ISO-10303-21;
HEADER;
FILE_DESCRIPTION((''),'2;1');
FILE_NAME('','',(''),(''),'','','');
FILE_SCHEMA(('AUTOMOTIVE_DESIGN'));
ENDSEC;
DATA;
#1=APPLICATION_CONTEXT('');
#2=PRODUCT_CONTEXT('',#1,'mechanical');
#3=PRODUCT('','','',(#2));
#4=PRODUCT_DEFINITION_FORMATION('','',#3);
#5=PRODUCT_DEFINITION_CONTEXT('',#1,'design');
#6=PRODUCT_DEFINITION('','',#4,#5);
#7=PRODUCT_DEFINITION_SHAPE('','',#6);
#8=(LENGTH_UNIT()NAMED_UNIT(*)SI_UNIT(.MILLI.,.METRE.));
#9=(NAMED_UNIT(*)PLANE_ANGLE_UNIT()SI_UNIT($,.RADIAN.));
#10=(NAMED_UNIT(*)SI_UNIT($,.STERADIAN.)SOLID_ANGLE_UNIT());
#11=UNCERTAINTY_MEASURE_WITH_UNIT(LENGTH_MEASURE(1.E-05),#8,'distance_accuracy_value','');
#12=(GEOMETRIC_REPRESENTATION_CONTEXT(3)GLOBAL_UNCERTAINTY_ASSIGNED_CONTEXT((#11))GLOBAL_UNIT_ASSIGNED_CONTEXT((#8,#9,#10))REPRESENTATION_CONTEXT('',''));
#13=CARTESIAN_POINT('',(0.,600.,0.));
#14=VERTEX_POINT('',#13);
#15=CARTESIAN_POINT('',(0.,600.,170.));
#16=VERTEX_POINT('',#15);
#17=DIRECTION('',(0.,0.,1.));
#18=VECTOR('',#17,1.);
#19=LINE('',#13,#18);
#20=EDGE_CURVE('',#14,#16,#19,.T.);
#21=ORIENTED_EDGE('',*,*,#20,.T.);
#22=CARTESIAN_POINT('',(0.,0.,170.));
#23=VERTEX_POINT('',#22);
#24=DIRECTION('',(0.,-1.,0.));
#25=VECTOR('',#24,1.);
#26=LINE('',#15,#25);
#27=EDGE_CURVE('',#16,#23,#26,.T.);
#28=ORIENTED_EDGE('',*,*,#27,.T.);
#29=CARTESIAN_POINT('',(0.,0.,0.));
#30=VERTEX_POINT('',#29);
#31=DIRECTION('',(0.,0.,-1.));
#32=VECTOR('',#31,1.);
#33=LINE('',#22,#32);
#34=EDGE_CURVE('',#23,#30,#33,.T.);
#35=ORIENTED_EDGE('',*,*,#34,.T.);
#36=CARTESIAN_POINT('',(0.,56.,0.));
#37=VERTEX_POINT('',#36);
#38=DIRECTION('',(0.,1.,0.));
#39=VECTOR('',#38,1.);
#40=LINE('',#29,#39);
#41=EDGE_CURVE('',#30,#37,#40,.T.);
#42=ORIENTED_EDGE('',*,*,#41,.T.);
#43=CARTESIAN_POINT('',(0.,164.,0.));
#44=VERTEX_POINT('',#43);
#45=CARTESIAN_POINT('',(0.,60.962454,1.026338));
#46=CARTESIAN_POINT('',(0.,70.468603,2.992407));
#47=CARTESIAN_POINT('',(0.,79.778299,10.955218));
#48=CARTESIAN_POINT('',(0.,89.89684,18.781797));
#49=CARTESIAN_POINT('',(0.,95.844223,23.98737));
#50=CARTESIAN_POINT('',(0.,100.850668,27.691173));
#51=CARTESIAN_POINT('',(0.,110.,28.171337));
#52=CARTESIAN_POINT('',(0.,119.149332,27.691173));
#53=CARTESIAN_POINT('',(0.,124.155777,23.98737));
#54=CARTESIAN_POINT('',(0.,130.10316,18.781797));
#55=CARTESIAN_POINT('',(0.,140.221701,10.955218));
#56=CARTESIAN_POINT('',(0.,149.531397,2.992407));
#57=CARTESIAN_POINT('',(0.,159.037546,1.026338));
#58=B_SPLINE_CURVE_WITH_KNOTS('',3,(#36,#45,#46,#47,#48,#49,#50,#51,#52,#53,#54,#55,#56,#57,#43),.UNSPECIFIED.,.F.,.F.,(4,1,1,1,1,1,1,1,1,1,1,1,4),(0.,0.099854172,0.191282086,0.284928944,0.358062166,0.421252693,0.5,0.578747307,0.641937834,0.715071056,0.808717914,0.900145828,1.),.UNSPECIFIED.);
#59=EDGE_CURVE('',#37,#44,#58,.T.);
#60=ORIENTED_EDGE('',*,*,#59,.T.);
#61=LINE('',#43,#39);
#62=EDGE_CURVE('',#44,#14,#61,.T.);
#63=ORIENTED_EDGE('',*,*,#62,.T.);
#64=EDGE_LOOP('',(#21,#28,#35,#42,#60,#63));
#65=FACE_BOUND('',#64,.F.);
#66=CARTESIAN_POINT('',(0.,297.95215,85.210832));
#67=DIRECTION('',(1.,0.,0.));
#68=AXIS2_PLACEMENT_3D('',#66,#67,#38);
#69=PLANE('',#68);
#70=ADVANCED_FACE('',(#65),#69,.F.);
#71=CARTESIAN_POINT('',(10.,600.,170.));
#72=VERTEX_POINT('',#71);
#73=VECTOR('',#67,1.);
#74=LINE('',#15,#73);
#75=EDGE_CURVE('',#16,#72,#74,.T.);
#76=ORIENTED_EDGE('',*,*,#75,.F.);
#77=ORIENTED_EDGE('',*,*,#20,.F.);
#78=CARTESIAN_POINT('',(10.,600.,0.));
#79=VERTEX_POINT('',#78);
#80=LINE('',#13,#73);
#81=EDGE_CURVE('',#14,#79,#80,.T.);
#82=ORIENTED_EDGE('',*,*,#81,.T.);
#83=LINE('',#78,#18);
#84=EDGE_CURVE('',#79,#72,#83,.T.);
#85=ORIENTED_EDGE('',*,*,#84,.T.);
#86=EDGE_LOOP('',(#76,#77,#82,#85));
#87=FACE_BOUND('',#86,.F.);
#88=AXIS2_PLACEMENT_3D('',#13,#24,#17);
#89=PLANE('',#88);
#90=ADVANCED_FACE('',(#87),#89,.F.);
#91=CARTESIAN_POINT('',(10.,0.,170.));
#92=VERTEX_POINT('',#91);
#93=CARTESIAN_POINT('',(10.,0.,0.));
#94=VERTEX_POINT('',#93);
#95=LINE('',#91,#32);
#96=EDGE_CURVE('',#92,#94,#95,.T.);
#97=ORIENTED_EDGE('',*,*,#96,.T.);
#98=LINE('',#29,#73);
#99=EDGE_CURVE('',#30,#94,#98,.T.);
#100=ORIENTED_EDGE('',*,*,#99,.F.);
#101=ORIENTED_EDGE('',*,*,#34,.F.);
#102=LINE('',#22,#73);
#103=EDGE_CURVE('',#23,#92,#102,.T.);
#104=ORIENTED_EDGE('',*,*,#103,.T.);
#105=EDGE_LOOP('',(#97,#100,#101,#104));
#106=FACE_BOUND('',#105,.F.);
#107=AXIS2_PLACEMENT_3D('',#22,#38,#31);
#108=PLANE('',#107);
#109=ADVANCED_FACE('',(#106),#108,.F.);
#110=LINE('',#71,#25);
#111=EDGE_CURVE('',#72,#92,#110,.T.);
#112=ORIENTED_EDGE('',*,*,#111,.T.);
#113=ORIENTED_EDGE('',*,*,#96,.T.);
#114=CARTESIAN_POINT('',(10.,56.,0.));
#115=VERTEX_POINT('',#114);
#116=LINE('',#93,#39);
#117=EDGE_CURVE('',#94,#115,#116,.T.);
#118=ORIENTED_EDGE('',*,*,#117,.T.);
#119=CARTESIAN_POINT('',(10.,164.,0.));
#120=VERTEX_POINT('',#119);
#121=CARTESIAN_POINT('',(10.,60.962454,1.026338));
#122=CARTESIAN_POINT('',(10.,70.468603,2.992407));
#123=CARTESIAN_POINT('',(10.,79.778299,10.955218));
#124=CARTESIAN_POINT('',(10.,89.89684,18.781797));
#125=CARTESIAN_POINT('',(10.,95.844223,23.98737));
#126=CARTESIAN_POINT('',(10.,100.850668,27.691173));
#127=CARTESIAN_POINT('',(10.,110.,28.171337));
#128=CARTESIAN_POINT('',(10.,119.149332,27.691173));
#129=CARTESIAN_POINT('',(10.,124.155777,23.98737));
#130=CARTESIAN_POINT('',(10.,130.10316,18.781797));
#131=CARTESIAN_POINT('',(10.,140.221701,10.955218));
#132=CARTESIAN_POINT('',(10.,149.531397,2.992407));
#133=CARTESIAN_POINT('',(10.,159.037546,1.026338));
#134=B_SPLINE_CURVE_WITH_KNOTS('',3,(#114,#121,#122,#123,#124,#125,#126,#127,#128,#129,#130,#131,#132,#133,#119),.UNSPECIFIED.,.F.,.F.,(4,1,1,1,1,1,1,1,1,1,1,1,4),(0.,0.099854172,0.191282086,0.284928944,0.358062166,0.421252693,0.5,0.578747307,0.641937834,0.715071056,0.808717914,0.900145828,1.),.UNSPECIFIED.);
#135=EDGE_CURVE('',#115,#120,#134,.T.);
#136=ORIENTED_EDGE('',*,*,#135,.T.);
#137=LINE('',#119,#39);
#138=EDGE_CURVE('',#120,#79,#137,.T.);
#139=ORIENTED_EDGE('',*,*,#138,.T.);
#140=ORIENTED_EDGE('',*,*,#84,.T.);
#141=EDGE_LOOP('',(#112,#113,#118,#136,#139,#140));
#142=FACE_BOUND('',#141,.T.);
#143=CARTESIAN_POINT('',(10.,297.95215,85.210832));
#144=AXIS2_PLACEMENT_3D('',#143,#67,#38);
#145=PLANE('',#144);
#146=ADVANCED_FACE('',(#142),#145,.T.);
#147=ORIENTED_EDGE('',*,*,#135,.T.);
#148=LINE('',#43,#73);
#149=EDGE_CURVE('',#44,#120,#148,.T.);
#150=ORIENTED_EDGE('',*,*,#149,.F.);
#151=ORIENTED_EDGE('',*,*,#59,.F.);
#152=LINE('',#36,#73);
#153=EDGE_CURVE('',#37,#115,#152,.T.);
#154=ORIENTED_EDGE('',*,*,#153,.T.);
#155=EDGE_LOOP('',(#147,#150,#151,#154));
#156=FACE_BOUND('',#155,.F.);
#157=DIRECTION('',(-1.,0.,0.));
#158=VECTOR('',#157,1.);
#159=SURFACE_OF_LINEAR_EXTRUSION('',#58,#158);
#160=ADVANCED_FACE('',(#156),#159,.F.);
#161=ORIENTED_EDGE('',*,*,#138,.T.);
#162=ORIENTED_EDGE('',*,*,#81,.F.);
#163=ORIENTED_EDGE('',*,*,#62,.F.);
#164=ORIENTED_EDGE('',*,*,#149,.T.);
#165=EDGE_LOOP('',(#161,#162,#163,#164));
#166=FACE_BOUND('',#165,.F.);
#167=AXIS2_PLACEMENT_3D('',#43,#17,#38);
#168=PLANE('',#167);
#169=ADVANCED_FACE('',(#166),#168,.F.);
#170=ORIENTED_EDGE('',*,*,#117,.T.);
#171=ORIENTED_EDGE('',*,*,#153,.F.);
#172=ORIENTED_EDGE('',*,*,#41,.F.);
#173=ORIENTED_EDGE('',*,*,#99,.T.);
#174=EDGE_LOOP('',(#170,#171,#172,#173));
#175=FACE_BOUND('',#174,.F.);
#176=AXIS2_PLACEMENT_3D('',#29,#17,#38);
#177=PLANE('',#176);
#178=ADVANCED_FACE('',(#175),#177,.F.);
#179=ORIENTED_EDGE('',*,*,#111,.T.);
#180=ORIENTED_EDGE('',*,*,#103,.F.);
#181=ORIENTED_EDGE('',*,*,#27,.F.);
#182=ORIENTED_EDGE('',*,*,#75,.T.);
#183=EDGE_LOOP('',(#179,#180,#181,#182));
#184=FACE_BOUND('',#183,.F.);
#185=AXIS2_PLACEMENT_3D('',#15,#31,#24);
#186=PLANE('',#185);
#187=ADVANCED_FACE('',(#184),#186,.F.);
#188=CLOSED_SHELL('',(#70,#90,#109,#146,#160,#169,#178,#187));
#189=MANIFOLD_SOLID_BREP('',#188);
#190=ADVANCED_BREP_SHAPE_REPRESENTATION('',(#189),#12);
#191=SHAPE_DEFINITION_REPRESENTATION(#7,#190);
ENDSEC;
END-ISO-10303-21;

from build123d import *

# Parameters (mm, degrees)
F1_DEPTH = 10


with BuildPart() as f1:
    # F0 (on Right) → F1 (new body)
    with BuildSketch(Plane.YZ):
        with BuildLine():
            Line((0, 170), (0, 0))
            Line((0, 0), (56, 0))
            add(Edge.make_bspline(
                [(56, 0), (60.962454102, 1.0263384017), (70.4686025093, 2.9924069963), (79.778299243, 10.9552179831), (89.8968403711, 18.781796866), (95.8442228266, 23.9873697899), (100.850667741, 27.6911734943), (110, 28.1713373734), (119.149332259, 27.6911734943), (124.1557771734, 23.9873697899), (130.1031596289, 18.781796866), (140.221700757, 10.9552179831), (149.5313974907, 2.9924069963), (159.037545898, 1.0263384017), (164, 0)],
                knots=[0, 0, 0, 0, 0.0998541716, 0.1912820864, 0.2849289442, 0.358062166, 0.421252693, 0.5, 0.578747307, 0.641937834, 0.7150710558, 0.8087179136, 0.9001458284, 1, 1, 1, 1], degree=3))
            Line((164, 0), (600, 0))
            Line((600, 0), (600, 170))
            Line((600, 170), (0, 170))
        make_face()
    extrude(amount=F1_DEPTH)


solid = f1.part
